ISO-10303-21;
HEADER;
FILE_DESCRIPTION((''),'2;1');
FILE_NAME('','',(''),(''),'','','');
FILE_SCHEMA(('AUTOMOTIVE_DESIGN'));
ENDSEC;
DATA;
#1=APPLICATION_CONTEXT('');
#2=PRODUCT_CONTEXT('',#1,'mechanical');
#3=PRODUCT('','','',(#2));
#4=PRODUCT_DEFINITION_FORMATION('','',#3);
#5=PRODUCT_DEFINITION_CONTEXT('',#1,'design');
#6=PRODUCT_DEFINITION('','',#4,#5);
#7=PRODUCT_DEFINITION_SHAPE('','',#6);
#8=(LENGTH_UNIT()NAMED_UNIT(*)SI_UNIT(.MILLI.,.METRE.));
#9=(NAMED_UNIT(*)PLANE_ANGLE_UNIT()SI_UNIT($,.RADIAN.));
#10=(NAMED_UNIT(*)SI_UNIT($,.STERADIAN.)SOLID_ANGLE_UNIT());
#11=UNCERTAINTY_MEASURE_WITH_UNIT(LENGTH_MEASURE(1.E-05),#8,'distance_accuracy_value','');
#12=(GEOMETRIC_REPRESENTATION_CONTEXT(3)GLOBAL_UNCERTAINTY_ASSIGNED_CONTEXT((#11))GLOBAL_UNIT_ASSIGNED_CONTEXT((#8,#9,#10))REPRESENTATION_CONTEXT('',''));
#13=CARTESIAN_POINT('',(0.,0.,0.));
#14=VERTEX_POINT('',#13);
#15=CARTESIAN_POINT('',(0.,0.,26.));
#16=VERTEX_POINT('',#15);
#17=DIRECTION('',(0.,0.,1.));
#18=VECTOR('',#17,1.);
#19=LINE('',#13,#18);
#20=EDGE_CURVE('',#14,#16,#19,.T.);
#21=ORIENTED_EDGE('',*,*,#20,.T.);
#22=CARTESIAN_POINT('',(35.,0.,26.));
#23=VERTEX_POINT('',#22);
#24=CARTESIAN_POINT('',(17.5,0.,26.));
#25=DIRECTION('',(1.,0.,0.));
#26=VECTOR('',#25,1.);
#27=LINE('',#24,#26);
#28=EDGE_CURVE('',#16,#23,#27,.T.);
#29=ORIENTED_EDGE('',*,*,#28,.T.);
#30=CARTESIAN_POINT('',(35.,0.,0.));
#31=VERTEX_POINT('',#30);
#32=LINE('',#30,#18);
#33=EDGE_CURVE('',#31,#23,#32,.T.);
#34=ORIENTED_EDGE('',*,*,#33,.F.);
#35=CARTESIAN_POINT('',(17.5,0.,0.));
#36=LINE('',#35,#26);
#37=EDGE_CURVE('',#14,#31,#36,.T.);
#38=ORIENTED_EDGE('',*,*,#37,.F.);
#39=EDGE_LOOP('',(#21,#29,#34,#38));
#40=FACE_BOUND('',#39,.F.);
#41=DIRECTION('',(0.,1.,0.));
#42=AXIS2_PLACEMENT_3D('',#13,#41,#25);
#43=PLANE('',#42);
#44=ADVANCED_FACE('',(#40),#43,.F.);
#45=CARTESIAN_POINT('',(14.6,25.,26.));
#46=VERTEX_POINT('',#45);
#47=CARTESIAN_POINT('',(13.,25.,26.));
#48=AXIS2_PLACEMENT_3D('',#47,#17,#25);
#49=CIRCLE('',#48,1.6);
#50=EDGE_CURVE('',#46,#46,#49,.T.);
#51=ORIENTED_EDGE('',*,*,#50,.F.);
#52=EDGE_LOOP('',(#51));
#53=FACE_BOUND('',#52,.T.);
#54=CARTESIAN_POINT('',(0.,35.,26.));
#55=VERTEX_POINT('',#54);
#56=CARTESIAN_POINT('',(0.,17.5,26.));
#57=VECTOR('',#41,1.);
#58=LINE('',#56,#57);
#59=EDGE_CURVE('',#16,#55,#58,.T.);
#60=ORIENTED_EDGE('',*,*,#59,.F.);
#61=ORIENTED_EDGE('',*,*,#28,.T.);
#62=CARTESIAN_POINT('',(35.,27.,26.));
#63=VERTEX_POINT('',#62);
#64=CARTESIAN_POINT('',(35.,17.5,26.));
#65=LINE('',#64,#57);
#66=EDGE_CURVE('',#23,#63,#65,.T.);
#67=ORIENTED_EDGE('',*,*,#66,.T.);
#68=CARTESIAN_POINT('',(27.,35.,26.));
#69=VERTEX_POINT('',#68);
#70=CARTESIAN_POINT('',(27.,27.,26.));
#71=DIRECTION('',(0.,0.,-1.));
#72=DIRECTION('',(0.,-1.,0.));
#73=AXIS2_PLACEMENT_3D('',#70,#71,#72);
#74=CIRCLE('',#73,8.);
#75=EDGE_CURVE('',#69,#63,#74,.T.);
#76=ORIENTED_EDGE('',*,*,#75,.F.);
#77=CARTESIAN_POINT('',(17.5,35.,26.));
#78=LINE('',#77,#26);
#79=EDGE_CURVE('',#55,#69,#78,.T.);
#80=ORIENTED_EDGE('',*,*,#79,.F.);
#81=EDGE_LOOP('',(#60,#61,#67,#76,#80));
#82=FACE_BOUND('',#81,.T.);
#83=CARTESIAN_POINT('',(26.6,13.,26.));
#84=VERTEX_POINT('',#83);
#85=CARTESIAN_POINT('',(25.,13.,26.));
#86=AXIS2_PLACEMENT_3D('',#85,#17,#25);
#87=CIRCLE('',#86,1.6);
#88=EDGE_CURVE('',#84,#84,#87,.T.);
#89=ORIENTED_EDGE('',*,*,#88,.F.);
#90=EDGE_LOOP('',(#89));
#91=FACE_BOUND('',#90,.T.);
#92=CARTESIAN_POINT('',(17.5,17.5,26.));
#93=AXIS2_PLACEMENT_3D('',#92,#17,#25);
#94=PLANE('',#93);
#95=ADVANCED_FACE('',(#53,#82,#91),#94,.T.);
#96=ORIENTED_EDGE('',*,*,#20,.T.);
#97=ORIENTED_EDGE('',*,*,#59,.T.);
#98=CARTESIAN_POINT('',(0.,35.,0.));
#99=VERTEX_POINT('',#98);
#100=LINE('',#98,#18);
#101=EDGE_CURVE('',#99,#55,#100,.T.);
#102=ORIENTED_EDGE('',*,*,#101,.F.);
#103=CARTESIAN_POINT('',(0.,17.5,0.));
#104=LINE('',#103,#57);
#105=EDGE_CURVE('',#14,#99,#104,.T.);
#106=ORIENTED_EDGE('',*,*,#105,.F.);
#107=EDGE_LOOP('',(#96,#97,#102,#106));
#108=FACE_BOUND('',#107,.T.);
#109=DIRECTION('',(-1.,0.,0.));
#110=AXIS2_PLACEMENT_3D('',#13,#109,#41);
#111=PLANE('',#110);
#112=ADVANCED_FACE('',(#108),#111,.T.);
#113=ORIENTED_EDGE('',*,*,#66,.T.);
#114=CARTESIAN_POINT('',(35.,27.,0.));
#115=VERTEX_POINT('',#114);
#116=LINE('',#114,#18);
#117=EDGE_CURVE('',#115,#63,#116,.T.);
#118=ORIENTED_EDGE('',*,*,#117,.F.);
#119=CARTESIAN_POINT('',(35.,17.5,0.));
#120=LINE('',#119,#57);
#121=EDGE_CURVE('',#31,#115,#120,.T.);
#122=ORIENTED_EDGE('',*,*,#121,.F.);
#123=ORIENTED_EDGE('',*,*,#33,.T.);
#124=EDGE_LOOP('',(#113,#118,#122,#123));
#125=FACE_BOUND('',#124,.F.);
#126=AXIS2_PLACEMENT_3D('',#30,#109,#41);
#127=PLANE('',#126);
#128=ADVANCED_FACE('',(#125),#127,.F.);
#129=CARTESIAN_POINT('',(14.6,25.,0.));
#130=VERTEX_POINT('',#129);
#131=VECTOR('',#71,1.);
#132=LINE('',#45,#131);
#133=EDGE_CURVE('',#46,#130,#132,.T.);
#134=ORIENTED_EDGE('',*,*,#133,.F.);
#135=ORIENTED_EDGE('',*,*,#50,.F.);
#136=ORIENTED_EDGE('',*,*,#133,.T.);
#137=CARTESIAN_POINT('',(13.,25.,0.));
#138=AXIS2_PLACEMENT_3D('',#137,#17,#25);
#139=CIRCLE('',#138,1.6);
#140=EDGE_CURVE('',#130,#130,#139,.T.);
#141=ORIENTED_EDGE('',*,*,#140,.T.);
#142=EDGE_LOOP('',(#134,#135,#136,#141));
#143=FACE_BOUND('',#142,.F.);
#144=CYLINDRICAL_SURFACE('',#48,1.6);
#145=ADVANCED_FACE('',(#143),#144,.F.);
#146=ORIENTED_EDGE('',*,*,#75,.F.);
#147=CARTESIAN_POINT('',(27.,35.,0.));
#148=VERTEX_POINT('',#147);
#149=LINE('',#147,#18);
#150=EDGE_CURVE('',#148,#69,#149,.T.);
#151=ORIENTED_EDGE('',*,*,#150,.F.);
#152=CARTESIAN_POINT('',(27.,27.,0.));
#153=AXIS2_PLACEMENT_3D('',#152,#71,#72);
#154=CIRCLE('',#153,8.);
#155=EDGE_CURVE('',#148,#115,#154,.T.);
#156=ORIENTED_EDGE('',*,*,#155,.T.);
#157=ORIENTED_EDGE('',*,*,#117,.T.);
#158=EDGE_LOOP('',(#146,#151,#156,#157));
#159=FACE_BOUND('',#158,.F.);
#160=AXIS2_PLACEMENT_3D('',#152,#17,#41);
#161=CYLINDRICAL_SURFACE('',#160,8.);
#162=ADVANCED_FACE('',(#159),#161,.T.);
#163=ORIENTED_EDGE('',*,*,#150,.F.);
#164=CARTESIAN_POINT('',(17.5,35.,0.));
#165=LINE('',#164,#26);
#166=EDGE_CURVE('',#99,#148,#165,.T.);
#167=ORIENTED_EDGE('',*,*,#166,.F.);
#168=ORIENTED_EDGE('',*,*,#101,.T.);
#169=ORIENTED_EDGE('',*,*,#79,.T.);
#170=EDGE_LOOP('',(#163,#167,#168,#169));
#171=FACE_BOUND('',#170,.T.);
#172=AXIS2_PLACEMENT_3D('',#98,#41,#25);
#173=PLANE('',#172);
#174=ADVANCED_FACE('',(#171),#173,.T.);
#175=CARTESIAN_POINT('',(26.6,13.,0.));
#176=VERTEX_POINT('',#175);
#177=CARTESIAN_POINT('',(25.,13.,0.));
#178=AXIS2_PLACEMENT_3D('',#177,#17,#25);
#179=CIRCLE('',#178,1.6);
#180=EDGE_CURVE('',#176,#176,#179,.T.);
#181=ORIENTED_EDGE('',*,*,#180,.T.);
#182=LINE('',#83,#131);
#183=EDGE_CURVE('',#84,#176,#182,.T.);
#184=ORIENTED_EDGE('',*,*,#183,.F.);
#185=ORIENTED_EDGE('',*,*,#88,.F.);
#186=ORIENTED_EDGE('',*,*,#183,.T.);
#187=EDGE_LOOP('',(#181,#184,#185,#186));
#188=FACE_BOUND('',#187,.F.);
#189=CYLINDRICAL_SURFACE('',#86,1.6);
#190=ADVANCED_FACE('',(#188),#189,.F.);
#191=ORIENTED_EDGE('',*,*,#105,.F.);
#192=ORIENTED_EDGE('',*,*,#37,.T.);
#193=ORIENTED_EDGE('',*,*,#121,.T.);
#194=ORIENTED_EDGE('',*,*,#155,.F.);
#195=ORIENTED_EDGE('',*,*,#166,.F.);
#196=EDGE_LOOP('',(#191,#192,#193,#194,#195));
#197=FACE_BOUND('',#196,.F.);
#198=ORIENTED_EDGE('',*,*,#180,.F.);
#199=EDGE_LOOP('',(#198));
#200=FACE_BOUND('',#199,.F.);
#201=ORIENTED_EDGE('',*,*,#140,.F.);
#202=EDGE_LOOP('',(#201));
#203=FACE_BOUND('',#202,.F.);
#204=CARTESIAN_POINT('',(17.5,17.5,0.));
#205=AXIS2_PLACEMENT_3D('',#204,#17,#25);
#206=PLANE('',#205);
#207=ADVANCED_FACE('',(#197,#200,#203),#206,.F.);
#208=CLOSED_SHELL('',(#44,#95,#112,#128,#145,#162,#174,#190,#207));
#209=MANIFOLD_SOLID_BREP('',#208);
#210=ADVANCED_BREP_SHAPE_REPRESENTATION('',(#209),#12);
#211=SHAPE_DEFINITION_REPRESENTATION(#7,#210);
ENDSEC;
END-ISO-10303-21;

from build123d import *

# Parameters (mm, degrees)
SKETCH_W     = 35
SKETCH_H     = 35
PAD_DEPTH    = 26
SKETCH001_R  = 1.6
POCKET_DEPTH = 26.001
FILLET_R     = 8


with BuildPart() as part:
    # Sketch → Pad (new body)
    with BuildSketch(Plane.XY):
        with Locations((17.5, 17.5)):
            Rectangle(SKETCH_W, SKETCH_H)
    extrude(amount=PAD_DEPTH)

    # Sketch001 (on Face6 of Pad) → Pocket (cut, through all)
    with BuildSketch(Plane.XY.offset(26)):
        with Locations((25, 13)):
            Circle(SKETCH001_R)
        with Locations((13, 25)):
            Circle(SKETCH001_R)
    extrude(amount=-POCKET_DEPTH, mode=Mode.SUBTRACT)

    # Fillet
    fillet_edges = [part.edges().sort_by_distance(p)[0] for p in [
        (35, 35, 13),
    ]]
    fillet(fillet_edges, radius=FILLET_R)


solid = part.part
